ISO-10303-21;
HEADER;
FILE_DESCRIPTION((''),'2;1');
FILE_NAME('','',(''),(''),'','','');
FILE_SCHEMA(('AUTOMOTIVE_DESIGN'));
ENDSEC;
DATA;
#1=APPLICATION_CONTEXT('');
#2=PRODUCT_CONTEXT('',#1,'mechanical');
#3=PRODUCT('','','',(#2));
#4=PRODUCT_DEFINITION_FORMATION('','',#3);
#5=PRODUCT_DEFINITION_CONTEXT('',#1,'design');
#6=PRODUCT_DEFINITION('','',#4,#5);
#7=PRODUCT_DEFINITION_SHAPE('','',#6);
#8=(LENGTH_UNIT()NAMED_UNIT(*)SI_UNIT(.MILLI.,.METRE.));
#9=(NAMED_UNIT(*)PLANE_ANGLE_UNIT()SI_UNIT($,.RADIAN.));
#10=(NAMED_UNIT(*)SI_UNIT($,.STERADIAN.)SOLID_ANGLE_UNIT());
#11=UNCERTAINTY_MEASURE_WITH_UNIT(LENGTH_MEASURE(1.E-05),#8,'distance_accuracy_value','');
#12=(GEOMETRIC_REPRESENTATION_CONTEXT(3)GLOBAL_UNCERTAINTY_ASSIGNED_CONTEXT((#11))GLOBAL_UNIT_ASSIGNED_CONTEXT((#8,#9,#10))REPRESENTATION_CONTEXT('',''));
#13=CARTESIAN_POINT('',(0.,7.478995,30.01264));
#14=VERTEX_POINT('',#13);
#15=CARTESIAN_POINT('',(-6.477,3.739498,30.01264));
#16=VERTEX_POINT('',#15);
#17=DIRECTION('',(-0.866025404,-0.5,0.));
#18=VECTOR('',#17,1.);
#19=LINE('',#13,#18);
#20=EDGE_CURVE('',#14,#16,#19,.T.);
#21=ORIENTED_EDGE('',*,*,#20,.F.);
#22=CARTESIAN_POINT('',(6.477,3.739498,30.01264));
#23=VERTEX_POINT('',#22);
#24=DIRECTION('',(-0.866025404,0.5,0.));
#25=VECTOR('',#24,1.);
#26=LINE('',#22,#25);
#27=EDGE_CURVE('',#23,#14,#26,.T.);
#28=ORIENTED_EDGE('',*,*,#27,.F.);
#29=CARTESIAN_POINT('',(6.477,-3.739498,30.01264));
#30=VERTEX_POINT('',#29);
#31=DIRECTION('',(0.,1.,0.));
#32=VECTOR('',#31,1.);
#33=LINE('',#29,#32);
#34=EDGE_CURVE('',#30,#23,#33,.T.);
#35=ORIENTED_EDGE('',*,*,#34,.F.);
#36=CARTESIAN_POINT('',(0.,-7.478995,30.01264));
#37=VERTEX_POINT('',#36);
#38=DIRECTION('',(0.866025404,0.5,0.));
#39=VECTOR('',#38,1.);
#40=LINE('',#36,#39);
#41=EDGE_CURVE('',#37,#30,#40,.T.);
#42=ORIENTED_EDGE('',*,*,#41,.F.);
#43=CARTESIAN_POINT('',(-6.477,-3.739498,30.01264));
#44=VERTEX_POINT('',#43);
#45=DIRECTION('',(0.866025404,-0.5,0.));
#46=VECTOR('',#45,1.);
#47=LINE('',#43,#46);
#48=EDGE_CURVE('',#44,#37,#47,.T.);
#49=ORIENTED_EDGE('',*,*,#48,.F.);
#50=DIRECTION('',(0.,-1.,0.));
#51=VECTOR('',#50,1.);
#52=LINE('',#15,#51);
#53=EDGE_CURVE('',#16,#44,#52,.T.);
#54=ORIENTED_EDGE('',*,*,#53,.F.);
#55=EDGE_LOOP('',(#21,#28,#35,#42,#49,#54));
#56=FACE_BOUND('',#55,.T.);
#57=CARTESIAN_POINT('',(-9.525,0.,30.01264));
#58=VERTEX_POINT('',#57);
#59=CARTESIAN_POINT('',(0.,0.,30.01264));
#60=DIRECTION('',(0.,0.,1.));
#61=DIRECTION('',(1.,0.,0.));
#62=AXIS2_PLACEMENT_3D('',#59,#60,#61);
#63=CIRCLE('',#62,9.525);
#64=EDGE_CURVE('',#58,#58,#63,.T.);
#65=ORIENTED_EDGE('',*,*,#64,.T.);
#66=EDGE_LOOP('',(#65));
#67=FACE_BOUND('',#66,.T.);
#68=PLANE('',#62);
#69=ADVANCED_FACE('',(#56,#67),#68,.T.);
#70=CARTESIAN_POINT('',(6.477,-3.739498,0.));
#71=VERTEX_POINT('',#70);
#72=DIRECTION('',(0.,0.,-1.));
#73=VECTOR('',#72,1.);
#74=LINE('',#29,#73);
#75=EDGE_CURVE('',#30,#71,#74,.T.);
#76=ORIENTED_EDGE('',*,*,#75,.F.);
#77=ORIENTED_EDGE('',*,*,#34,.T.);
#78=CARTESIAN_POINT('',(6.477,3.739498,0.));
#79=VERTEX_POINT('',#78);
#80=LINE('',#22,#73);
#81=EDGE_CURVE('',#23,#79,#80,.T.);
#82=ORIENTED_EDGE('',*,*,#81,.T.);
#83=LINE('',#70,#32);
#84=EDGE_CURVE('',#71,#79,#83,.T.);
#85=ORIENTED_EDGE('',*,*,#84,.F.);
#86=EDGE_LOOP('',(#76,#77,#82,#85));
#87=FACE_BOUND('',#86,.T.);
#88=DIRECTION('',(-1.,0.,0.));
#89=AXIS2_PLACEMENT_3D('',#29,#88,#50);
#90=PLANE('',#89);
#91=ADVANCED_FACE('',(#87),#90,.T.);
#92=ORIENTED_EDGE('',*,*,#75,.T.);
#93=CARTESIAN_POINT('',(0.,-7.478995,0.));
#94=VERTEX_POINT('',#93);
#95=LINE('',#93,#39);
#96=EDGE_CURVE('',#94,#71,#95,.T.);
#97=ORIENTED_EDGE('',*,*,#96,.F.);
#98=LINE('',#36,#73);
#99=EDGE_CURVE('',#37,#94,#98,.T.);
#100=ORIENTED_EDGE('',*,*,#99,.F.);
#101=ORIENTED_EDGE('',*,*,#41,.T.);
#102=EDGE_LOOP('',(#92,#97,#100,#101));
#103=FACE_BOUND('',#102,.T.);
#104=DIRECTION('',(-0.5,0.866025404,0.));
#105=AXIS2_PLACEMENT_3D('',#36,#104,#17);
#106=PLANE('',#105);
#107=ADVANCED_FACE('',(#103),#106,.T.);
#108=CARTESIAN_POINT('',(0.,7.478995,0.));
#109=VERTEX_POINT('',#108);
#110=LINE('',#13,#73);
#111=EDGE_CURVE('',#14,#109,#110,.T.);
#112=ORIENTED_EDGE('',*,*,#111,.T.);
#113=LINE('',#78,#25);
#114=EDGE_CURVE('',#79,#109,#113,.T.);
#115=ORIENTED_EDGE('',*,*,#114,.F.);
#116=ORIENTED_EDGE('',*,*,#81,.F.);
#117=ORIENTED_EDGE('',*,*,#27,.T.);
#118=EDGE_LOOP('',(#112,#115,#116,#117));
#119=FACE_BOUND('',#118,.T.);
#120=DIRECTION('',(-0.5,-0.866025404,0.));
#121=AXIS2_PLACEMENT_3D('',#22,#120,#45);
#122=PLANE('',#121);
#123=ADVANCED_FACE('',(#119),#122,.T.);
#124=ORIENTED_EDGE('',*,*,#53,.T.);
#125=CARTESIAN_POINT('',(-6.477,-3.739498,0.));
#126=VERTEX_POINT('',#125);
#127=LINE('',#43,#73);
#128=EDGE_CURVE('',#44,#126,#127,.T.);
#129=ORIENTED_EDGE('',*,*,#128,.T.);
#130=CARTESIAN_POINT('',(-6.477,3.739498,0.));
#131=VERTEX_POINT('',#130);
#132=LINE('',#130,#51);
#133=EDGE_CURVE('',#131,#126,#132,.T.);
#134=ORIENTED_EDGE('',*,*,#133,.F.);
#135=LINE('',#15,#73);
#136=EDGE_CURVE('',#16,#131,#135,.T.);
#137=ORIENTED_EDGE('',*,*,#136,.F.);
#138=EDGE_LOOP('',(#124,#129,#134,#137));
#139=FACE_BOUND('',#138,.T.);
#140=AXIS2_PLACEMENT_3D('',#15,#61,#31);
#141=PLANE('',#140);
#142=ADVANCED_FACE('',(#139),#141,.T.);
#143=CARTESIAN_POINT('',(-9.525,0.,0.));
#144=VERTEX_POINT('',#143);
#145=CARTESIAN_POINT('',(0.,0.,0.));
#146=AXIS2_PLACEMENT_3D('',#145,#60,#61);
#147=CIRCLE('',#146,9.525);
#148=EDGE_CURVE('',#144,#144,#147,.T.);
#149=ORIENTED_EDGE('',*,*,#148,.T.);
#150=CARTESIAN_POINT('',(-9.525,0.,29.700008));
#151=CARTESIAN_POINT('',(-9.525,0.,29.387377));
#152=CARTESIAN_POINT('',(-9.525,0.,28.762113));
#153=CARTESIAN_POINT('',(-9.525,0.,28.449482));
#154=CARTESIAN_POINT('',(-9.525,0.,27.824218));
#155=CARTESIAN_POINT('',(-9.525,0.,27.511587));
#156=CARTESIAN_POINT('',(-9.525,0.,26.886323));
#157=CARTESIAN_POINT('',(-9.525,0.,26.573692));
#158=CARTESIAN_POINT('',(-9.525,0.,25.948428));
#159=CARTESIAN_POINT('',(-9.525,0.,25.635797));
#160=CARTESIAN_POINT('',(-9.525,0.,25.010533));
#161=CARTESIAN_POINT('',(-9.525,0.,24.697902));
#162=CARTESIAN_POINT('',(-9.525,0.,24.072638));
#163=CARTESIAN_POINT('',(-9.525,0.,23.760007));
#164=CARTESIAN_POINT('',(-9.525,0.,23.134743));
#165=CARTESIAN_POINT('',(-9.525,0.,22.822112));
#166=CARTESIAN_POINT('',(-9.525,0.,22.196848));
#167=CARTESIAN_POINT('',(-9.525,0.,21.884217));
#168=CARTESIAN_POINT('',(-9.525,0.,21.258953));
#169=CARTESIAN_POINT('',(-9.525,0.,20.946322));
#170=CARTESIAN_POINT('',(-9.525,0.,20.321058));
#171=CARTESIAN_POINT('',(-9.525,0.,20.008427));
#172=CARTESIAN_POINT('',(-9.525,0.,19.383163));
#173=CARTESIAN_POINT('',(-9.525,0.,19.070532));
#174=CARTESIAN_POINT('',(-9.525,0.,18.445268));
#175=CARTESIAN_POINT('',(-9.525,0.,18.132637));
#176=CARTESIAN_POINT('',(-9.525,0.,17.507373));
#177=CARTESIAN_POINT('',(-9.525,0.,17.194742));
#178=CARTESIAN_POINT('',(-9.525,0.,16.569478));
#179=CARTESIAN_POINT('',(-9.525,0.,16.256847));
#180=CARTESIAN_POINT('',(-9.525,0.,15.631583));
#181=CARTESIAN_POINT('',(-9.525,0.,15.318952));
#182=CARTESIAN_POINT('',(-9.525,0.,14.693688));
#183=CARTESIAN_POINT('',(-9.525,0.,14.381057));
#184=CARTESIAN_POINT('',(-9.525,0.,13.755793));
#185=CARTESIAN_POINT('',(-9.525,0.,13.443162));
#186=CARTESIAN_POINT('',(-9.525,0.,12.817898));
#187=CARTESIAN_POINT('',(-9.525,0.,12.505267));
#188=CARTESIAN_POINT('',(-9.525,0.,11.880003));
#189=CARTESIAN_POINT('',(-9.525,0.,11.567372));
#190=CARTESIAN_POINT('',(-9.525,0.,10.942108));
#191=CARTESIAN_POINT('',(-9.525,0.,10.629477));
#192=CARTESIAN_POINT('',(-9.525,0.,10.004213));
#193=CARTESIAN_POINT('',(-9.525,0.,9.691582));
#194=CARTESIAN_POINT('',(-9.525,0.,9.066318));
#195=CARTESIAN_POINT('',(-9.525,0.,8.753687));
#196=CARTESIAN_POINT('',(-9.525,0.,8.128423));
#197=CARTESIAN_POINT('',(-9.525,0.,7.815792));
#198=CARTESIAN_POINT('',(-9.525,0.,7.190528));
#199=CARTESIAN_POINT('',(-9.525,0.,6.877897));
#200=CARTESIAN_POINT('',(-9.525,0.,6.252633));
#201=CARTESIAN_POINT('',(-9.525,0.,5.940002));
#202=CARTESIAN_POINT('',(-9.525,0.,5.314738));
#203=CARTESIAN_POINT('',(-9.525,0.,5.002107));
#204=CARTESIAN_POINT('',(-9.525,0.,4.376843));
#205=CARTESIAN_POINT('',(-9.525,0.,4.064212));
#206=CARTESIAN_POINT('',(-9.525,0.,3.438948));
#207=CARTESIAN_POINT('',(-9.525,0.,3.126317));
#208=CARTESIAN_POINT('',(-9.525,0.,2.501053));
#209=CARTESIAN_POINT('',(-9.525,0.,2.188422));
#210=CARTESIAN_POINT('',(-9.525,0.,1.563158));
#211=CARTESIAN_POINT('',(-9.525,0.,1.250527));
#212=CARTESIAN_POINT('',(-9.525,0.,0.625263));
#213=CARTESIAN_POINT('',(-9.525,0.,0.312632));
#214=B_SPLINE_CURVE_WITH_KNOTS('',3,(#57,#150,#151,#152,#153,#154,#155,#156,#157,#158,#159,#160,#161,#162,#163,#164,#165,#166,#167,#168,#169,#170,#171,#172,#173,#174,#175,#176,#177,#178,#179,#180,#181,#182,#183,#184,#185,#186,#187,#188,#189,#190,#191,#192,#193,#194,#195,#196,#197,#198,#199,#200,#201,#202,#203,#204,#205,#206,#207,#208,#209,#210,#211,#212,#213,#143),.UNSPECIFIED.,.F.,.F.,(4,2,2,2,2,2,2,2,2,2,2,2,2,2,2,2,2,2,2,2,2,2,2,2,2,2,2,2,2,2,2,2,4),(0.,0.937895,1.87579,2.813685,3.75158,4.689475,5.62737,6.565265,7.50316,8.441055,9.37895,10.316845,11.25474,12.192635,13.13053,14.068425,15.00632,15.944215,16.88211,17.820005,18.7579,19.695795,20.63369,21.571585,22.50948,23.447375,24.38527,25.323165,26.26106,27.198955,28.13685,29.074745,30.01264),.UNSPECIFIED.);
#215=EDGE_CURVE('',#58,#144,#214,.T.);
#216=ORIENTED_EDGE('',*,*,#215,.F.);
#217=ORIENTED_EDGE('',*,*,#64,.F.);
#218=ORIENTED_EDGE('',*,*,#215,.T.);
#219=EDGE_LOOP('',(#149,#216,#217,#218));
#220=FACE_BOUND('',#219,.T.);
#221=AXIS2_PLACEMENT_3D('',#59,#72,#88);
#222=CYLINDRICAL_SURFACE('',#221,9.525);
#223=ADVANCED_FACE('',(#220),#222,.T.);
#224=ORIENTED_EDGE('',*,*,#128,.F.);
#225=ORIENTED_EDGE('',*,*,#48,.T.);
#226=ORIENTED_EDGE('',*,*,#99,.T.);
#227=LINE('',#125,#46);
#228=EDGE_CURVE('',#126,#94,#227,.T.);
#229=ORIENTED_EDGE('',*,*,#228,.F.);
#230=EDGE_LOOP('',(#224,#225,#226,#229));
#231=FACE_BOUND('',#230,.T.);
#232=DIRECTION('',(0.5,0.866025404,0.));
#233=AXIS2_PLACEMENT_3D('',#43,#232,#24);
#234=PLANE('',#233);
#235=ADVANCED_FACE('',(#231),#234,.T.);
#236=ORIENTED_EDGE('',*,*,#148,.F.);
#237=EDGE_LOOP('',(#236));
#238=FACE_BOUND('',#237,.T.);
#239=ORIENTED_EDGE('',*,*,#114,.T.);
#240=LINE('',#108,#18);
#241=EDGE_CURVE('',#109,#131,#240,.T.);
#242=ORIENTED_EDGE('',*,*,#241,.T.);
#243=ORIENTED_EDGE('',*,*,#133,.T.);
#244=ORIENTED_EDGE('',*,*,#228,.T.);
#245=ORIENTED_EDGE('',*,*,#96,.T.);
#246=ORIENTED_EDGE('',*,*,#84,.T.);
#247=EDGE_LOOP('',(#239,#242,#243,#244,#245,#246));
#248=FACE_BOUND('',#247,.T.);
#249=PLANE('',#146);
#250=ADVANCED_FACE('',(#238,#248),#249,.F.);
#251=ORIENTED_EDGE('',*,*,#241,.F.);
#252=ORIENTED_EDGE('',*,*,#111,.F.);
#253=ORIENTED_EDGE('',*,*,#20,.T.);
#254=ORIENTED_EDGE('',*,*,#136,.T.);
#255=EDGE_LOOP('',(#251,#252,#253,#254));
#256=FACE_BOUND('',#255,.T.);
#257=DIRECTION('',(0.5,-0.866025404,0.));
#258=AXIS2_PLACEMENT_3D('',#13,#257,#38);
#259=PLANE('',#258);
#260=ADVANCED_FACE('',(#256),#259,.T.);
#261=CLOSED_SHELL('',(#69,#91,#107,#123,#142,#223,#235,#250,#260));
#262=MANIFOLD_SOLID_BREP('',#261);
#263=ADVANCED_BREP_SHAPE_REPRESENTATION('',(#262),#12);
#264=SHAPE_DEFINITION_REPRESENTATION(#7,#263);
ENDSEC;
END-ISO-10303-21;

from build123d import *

# Parameters (mm, degrees)
SKETCH1_R           = 9.525
BOSS_EXTRUDE1_DEPTH = 30.01264


with BuildPart() as part:
    # Sketch1 → Boss-Extrude1 (new body)
    with BuildSketch(Plane.XY):
        with Locations(Location((0, 0, 0), (0, 0, 180))):
            Circle(SKETCH1_R)
        Polygon((0, 7.478995387), (-6.477, 3.739497694), (-6.477, -3.739497694), (0, -7.478995387), (6.477, -3.739497694), (6.477, 3.739497694), align=None, mode=Mode.SUBTRACT)
    extrude(amount=BOSS_EXTRUDE1_DEPTH)


solid = part.part
